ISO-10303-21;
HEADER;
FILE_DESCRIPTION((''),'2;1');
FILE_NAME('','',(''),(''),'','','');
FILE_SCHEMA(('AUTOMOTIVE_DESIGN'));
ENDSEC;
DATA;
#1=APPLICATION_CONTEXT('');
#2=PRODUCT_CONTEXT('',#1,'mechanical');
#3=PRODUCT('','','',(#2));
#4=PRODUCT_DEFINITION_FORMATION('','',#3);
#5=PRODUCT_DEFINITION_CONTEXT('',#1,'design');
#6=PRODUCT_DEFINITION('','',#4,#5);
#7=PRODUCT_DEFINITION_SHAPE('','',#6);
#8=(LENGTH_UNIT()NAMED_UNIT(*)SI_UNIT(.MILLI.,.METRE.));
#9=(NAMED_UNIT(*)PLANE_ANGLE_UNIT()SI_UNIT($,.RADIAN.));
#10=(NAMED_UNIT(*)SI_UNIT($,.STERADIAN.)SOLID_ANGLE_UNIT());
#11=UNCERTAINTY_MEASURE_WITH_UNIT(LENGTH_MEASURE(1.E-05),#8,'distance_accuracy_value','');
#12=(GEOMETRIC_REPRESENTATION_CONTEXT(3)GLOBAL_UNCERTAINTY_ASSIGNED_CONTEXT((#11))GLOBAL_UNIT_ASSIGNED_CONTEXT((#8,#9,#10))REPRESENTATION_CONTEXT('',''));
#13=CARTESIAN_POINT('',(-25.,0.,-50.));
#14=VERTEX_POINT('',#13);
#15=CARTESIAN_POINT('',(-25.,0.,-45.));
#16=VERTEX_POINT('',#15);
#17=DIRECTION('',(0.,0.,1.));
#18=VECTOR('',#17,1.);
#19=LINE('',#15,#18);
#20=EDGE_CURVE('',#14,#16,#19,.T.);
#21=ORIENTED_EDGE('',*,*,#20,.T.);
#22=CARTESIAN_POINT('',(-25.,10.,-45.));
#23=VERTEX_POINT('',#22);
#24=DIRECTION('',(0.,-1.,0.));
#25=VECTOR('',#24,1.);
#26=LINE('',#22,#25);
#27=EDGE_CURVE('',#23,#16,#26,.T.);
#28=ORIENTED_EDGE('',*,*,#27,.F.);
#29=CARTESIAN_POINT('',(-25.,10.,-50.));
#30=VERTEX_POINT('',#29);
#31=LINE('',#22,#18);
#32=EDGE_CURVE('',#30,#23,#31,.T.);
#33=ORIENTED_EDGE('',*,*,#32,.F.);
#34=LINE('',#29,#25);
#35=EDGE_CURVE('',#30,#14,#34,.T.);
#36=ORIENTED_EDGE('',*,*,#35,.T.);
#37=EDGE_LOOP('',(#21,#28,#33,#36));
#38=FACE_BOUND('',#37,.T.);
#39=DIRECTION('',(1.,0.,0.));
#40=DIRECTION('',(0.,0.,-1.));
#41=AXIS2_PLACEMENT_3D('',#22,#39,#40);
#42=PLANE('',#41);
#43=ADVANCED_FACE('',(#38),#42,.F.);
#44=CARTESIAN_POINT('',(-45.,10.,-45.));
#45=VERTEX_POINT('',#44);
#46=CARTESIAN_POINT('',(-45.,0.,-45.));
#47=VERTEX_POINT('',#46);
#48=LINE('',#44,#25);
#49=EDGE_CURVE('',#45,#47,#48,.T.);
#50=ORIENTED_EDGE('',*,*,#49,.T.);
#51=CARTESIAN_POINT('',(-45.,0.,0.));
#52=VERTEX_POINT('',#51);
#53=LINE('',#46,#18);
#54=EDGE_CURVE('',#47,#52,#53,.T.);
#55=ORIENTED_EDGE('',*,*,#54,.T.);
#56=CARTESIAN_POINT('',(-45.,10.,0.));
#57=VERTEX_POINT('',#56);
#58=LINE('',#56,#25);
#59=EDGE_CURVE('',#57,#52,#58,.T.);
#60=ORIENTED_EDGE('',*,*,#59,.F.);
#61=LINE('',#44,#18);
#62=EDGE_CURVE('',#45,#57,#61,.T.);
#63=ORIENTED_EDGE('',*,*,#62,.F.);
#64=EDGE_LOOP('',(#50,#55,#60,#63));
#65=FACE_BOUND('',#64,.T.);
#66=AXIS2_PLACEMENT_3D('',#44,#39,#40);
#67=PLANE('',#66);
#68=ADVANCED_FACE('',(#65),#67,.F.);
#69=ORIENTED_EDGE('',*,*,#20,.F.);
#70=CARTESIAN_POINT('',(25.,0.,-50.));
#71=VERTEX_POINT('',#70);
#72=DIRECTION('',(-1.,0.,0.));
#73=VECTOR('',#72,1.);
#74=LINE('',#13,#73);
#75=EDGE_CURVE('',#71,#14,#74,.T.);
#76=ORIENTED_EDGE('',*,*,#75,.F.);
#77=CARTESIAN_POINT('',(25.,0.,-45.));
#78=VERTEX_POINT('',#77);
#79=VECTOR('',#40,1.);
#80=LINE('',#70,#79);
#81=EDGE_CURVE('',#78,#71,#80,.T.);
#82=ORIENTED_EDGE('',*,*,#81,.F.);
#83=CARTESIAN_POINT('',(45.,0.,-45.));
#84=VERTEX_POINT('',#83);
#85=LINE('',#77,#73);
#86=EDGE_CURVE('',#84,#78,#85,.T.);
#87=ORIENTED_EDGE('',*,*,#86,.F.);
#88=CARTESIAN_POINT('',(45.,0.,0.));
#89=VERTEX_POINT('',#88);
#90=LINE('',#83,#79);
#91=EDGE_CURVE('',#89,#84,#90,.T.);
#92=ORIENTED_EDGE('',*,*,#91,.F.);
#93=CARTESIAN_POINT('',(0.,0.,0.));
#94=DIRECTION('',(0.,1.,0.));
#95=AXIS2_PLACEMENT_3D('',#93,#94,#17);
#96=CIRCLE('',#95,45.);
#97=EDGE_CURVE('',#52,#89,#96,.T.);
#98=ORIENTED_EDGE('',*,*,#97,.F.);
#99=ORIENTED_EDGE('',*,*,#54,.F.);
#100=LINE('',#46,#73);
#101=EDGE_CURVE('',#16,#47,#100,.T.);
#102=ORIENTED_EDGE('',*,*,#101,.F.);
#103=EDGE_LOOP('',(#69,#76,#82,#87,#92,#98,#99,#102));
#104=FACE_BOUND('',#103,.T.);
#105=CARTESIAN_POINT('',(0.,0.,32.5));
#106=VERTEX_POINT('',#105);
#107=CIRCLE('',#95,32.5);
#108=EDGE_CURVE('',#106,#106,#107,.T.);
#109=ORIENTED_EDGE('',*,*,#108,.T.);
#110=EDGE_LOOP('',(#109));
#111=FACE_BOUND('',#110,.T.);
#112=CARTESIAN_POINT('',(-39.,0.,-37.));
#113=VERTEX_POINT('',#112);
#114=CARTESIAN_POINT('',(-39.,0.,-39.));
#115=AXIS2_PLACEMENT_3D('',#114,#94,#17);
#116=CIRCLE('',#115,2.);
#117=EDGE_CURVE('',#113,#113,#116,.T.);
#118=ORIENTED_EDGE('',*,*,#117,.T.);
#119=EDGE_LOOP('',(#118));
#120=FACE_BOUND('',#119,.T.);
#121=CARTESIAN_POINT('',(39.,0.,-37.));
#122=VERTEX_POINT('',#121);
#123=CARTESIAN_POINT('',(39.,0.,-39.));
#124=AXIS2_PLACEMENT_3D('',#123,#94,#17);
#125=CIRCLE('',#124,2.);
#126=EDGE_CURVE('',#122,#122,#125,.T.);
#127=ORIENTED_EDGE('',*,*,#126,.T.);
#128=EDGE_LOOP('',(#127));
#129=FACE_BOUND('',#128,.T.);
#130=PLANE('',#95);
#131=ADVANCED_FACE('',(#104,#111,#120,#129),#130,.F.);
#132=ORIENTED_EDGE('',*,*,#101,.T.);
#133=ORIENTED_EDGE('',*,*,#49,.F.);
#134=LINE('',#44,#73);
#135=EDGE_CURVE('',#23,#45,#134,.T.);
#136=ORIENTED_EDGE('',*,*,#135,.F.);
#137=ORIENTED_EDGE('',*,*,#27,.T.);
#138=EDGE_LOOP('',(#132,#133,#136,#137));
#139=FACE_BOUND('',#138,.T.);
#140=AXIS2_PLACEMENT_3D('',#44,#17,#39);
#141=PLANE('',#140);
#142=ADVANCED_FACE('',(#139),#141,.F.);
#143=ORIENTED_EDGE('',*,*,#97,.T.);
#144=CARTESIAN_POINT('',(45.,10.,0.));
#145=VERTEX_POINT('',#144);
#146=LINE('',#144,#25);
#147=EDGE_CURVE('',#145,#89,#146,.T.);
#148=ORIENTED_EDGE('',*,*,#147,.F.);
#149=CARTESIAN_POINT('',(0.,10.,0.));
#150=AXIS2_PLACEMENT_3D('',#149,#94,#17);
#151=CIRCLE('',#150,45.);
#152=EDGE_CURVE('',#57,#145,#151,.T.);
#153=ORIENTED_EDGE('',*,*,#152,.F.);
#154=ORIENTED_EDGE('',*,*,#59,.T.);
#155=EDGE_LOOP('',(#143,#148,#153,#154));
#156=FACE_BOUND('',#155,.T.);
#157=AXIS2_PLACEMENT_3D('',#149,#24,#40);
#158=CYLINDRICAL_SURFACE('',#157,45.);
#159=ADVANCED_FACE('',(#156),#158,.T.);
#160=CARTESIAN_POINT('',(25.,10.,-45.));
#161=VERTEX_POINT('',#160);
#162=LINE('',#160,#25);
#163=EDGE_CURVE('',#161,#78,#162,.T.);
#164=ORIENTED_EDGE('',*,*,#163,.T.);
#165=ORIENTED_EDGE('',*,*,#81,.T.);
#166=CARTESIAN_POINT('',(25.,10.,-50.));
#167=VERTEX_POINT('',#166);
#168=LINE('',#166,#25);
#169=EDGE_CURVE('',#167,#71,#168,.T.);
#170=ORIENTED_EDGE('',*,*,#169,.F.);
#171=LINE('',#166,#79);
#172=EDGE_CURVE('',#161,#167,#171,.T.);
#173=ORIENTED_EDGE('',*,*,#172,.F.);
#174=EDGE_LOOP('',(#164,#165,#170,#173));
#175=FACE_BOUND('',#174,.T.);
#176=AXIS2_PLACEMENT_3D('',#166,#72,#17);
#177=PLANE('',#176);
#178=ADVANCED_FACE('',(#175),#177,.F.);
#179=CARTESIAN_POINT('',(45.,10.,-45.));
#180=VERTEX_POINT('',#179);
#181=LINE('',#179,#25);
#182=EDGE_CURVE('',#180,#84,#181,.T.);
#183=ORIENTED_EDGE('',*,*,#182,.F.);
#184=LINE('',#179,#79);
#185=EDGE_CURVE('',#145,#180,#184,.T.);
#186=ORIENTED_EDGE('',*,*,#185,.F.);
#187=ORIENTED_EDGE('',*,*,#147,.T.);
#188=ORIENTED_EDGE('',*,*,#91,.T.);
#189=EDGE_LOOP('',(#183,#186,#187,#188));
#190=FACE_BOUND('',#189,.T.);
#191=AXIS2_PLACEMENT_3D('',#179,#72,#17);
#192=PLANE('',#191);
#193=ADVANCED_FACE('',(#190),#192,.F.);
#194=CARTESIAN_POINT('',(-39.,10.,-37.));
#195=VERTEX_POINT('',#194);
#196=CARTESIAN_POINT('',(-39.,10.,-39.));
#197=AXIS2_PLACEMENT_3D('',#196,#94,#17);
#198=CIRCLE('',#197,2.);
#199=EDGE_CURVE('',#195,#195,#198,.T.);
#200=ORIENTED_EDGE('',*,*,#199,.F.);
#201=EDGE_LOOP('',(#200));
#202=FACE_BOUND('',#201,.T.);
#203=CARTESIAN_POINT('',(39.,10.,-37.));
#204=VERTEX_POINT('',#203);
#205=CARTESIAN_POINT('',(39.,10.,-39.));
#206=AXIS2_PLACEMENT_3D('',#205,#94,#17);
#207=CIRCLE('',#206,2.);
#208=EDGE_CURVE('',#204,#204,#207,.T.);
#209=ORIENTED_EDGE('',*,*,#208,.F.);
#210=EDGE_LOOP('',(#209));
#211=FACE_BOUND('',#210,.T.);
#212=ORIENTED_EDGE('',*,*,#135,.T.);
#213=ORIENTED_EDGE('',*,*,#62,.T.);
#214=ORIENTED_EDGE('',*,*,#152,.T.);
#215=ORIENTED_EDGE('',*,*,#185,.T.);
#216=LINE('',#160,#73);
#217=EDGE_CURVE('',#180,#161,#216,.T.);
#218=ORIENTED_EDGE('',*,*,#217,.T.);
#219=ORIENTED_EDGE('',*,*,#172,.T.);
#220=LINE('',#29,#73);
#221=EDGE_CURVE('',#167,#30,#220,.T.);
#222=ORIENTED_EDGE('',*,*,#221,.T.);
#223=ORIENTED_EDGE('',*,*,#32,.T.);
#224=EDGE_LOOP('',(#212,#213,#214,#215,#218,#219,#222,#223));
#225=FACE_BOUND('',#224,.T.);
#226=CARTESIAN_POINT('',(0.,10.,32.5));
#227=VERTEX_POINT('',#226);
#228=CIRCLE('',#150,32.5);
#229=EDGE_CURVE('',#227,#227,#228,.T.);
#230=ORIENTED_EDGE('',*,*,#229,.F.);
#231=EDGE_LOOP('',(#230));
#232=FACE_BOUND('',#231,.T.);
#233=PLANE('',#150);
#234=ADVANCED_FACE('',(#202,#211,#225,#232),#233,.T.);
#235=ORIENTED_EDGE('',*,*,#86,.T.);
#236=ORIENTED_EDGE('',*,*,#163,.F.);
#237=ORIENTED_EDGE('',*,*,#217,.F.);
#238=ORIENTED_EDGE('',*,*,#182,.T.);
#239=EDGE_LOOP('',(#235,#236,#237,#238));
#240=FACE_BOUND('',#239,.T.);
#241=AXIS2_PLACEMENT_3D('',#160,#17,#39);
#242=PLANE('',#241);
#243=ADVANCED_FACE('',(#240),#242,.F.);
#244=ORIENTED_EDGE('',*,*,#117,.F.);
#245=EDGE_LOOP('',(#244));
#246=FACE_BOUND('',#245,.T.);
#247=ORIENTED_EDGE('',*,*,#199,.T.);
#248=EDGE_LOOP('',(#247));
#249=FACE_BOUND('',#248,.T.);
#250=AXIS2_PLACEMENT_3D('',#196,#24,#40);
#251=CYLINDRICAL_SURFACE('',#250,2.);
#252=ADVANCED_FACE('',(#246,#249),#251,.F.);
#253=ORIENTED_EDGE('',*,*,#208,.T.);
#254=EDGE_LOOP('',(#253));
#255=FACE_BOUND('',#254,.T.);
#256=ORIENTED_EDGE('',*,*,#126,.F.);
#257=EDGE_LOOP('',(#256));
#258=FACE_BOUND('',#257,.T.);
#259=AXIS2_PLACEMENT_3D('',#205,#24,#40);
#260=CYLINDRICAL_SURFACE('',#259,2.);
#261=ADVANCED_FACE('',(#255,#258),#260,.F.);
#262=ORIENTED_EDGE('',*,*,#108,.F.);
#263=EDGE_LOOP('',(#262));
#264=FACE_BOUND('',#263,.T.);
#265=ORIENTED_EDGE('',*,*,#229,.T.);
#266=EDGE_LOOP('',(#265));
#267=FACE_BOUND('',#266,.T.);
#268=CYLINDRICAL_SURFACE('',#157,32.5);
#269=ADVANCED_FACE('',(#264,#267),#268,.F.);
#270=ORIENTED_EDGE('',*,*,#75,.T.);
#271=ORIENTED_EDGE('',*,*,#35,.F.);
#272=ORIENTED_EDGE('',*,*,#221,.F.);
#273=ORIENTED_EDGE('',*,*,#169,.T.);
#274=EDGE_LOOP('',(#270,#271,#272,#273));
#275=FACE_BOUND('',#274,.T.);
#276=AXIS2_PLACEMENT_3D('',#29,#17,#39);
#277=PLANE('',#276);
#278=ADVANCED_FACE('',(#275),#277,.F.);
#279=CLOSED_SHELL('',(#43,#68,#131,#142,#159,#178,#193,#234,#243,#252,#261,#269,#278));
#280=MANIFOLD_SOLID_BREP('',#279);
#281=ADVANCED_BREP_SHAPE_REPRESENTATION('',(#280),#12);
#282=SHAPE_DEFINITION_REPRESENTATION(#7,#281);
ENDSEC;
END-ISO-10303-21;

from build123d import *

# Parameters (mm, degrees)
SKETCH_1_R      = 32.5
SKETCH_1_R_2    = 2
EXTRUDE_1_DEPTH = 10


with BuildPart() as part:
    # 스케치1 → 보스-돌출1 (new body)
    with BuildSketch(Plane(origin=(0, 0, 0), x_dir=(1, 0, 0), z_dir=(0, 1, 0))):
        with BuildLine():
            Line((-25, 45), (-25, 50))
            Line((-25, 50), (25, 50))
            Line((25, 50), (25, 45))
            Line((25, 45), (45, 45))
            Line((45, 45), (45, 0))
            ThreePointArc((45, 0), (0, -45), (-45, 0))
            Line((-45, 0), (-45, 45))
            Line((-45, 45), (-25, 45))
        make_face()
        with Locations(Location((0, 0, 0), (0, 0, 270))):
            Circle(SKETCH_1_R, mode=Mode.SUBTRACT)
        with Locations(Location((-39, 39, 0), (0, 0, 270))):
            Circle(SKETCH_1_R_2, mode=Mode.SUBTRACT)
        with Locations(Location((39, 39, 0), (0, 0, 270))):
            Circle(SKETCH_1_R_2, mode=Mode.SUBTRACT)
    extrude(amount=EXTRUDE_1_DEPTH)


solid = part.part
